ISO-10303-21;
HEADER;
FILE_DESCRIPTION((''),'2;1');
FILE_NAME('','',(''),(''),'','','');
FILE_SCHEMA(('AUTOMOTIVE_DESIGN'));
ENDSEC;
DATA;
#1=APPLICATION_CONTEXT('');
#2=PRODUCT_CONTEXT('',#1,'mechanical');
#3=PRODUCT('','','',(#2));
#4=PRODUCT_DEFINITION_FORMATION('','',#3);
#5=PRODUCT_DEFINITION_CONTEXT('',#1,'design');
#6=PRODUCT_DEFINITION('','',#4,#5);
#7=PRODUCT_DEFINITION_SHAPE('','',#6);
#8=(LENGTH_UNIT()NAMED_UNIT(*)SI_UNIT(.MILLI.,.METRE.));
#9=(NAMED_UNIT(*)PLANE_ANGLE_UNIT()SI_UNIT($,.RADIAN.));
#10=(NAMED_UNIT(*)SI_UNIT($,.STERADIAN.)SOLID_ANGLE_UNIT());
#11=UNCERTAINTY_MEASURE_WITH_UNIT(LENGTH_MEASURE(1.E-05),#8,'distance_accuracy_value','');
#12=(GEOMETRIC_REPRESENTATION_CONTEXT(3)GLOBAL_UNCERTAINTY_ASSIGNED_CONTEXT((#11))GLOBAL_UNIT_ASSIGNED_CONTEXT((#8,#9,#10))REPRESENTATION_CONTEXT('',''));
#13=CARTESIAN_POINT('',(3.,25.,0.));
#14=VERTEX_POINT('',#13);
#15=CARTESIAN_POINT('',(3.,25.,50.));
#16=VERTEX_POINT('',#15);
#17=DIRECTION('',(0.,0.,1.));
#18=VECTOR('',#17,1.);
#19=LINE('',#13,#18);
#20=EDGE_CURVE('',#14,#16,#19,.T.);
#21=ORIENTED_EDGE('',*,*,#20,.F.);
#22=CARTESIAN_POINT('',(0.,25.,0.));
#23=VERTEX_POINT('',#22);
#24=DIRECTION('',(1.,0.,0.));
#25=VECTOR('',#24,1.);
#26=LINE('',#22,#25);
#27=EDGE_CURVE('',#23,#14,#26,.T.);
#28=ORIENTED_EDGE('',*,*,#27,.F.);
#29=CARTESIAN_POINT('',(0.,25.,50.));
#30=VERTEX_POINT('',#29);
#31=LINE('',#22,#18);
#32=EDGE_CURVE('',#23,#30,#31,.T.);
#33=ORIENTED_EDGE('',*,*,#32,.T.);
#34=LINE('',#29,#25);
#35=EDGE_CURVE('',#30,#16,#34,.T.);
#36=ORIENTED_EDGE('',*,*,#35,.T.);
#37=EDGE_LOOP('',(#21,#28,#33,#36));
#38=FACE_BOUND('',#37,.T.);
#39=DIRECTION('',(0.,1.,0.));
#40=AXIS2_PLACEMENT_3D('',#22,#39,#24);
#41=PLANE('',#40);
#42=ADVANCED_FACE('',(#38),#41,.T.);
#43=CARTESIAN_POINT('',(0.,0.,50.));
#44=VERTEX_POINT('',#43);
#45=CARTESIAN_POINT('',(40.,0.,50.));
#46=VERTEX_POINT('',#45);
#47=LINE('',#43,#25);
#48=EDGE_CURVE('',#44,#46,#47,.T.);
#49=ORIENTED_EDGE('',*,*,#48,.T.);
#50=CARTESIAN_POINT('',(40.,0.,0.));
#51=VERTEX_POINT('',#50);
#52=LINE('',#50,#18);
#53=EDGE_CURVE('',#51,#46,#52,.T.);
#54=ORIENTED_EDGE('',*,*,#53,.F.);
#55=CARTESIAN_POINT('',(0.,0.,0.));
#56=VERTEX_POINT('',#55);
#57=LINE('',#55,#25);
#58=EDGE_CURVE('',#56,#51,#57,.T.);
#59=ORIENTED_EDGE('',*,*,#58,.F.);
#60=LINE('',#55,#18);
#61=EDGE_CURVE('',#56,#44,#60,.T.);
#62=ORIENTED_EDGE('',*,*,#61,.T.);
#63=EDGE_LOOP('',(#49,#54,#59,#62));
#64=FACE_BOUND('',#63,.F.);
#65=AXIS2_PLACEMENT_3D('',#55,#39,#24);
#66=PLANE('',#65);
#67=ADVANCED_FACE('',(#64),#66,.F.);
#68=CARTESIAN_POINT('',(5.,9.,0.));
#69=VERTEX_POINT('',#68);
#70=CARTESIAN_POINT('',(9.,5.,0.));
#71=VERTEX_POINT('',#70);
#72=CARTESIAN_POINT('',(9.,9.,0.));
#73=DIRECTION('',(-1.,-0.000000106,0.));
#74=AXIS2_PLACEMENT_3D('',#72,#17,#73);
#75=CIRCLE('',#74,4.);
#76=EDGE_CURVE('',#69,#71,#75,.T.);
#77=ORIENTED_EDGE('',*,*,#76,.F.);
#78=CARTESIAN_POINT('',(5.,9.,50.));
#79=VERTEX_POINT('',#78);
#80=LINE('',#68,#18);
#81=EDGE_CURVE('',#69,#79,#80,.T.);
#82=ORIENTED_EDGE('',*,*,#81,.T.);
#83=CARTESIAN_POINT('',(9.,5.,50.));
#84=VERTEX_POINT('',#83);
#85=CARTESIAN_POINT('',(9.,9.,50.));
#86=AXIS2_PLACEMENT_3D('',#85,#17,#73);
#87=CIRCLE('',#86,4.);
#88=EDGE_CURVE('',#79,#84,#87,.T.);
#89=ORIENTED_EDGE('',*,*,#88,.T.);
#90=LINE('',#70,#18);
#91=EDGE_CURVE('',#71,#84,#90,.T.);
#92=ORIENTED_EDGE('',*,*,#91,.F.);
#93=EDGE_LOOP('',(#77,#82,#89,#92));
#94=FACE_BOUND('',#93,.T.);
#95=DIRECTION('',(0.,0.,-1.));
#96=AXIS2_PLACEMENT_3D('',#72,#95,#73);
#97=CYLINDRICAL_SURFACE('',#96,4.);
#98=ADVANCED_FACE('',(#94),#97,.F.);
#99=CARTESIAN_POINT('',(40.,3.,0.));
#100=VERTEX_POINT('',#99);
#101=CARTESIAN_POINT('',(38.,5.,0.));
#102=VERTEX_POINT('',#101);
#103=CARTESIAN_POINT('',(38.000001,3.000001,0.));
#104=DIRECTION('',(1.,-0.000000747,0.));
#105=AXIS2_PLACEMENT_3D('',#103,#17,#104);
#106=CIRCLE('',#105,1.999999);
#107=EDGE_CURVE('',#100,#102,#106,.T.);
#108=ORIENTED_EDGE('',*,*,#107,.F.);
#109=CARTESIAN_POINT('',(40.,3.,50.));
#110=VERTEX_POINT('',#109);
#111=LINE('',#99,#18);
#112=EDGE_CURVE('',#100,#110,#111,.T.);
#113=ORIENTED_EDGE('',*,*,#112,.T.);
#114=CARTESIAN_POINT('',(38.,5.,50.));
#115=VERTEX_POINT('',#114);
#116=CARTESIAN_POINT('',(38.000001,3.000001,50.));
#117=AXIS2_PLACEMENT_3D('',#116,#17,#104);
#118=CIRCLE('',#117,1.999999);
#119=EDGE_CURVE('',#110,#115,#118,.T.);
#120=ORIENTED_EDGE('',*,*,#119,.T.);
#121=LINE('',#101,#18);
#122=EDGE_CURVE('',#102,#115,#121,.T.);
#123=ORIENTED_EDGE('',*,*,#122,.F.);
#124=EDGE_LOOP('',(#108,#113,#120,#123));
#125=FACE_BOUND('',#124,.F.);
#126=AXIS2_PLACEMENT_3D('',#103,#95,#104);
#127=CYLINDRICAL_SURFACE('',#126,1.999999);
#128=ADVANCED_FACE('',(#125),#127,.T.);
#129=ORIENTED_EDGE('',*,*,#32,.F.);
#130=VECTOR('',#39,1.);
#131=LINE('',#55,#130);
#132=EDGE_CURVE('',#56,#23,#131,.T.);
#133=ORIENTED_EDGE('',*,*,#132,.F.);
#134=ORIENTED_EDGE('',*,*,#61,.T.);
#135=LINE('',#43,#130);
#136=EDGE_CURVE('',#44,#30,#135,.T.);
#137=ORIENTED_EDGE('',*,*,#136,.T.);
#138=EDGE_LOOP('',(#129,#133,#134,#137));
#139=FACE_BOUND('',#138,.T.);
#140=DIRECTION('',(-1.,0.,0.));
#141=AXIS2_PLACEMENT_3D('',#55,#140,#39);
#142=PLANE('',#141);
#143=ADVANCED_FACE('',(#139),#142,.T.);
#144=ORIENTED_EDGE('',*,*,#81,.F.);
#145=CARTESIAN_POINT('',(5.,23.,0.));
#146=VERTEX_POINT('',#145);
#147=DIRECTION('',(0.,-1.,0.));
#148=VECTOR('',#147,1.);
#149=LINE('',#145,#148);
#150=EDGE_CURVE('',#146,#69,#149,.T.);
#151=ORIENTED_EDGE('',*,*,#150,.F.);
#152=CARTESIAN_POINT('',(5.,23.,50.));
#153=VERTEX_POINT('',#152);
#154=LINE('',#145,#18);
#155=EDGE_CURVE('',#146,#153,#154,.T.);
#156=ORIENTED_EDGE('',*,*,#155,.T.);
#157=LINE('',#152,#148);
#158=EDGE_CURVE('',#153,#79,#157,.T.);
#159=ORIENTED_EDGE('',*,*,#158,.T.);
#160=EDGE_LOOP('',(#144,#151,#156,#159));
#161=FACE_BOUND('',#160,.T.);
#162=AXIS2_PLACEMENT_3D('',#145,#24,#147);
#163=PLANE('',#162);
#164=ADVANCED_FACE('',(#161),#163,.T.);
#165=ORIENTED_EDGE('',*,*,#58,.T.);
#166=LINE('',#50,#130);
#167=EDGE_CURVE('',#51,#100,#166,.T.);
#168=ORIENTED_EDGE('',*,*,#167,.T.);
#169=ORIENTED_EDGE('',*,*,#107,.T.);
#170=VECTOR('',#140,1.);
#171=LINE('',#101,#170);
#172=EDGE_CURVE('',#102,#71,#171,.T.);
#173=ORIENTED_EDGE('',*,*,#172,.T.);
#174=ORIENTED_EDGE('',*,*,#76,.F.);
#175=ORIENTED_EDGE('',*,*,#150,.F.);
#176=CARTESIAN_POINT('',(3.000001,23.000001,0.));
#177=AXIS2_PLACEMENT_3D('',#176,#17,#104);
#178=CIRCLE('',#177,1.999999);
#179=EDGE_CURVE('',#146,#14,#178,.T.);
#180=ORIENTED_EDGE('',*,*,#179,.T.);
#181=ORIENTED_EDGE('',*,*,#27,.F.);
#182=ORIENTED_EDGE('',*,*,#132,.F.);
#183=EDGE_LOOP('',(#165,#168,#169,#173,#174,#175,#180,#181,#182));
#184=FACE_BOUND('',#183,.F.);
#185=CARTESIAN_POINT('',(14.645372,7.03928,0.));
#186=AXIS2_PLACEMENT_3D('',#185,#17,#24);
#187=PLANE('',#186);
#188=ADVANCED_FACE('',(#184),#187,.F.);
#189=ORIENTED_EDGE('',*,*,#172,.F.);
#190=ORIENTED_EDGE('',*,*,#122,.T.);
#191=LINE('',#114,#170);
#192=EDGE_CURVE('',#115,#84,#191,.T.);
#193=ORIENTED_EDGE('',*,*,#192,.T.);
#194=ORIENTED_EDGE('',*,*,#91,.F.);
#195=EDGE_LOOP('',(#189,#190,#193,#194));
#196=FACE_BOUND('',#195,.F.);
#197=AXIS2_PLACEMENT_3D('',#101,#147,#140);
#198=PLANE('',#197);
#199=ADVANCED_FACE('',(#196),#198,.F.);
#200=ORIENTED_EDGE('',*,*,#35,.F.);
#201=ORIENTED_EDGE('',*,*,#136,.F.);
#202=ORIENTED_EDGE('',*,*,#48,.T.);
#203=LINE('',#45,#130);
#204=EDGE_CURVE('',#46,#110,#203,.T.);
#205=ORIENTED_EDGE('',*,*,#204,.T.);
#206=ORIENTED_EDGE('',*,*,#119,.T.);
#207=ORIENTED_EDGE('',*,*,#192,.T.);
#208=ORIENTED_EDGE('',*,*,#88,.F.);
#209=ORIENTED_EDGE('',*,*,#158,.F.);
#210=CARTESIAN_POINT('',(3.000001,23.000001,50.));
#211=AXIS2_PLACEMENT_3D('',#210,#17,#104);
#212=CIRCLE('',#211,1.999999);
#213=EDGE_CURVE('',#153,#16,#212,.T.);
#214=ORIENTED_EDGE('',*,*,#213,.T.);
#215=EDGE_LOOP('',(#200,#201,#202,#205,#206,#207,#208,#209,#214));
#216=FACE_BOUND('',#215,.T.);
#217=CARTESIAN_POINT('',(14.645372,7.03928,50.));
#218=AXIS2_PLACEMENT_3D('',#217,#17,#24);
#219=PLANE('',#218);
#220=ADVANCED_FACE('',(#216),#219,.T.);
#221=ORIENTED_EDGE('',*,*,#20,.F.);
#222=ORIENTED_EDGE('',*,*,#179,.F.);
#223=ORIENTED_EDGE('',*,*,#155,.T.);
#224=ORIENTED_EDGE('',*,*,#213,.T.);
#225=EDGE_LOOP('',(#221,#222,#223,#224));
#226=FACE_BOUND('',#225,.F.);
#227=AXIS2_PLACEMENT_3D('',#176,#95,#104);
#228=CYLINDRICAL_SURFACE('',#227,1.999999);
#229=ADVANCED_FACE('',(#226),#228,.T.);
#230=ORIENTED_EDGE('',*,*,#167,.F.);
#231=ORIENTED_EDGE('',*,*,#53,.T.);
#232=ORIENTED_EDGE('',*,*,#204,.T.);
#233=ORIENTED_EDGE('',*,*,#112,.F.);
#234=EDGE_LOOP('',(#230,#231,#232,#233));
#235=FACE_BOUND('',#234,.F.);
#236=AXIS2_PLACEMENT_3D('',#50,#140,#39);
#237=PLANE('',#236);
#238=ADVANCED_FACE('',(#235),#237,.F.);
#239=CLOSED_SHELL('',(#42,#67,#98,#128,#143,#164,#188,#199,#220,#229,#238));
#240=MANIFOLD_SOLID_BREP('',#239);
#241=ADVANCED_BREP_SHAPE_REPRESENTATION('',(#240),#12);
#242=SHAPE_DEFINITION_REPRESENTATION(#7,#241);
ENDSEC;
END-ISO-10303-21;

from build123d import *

# Parameters (mm, degrees)
EXTRUDE_DEPTH = 50


with BuildPart() as part:
    # Sketch → Extrude (new body)
    with BuildSketch(Plane.XY):
        with BuildLine():
            Line((0, 0), (40, 0))
            Line((40, 0), (40, 3))
            ThreePointArc((40, 3), (39.414214, 4.414214), (38, 5))
            Line((38, 5), (9, 5))
            ThreePointArc((5, 9), (6.171573, 6.171573), (9, 5))
            Line((5, 23), (5, 9))
            ThreePointArc((5, 23), (4.414214, 24.414214), (3, 25))
            Line((0, 25), (3, 25))
            Line((0, 0), (0, 25))
        make_face()
    extrude(amount=EXTRUDE_DEPTH)


solid = part.part
